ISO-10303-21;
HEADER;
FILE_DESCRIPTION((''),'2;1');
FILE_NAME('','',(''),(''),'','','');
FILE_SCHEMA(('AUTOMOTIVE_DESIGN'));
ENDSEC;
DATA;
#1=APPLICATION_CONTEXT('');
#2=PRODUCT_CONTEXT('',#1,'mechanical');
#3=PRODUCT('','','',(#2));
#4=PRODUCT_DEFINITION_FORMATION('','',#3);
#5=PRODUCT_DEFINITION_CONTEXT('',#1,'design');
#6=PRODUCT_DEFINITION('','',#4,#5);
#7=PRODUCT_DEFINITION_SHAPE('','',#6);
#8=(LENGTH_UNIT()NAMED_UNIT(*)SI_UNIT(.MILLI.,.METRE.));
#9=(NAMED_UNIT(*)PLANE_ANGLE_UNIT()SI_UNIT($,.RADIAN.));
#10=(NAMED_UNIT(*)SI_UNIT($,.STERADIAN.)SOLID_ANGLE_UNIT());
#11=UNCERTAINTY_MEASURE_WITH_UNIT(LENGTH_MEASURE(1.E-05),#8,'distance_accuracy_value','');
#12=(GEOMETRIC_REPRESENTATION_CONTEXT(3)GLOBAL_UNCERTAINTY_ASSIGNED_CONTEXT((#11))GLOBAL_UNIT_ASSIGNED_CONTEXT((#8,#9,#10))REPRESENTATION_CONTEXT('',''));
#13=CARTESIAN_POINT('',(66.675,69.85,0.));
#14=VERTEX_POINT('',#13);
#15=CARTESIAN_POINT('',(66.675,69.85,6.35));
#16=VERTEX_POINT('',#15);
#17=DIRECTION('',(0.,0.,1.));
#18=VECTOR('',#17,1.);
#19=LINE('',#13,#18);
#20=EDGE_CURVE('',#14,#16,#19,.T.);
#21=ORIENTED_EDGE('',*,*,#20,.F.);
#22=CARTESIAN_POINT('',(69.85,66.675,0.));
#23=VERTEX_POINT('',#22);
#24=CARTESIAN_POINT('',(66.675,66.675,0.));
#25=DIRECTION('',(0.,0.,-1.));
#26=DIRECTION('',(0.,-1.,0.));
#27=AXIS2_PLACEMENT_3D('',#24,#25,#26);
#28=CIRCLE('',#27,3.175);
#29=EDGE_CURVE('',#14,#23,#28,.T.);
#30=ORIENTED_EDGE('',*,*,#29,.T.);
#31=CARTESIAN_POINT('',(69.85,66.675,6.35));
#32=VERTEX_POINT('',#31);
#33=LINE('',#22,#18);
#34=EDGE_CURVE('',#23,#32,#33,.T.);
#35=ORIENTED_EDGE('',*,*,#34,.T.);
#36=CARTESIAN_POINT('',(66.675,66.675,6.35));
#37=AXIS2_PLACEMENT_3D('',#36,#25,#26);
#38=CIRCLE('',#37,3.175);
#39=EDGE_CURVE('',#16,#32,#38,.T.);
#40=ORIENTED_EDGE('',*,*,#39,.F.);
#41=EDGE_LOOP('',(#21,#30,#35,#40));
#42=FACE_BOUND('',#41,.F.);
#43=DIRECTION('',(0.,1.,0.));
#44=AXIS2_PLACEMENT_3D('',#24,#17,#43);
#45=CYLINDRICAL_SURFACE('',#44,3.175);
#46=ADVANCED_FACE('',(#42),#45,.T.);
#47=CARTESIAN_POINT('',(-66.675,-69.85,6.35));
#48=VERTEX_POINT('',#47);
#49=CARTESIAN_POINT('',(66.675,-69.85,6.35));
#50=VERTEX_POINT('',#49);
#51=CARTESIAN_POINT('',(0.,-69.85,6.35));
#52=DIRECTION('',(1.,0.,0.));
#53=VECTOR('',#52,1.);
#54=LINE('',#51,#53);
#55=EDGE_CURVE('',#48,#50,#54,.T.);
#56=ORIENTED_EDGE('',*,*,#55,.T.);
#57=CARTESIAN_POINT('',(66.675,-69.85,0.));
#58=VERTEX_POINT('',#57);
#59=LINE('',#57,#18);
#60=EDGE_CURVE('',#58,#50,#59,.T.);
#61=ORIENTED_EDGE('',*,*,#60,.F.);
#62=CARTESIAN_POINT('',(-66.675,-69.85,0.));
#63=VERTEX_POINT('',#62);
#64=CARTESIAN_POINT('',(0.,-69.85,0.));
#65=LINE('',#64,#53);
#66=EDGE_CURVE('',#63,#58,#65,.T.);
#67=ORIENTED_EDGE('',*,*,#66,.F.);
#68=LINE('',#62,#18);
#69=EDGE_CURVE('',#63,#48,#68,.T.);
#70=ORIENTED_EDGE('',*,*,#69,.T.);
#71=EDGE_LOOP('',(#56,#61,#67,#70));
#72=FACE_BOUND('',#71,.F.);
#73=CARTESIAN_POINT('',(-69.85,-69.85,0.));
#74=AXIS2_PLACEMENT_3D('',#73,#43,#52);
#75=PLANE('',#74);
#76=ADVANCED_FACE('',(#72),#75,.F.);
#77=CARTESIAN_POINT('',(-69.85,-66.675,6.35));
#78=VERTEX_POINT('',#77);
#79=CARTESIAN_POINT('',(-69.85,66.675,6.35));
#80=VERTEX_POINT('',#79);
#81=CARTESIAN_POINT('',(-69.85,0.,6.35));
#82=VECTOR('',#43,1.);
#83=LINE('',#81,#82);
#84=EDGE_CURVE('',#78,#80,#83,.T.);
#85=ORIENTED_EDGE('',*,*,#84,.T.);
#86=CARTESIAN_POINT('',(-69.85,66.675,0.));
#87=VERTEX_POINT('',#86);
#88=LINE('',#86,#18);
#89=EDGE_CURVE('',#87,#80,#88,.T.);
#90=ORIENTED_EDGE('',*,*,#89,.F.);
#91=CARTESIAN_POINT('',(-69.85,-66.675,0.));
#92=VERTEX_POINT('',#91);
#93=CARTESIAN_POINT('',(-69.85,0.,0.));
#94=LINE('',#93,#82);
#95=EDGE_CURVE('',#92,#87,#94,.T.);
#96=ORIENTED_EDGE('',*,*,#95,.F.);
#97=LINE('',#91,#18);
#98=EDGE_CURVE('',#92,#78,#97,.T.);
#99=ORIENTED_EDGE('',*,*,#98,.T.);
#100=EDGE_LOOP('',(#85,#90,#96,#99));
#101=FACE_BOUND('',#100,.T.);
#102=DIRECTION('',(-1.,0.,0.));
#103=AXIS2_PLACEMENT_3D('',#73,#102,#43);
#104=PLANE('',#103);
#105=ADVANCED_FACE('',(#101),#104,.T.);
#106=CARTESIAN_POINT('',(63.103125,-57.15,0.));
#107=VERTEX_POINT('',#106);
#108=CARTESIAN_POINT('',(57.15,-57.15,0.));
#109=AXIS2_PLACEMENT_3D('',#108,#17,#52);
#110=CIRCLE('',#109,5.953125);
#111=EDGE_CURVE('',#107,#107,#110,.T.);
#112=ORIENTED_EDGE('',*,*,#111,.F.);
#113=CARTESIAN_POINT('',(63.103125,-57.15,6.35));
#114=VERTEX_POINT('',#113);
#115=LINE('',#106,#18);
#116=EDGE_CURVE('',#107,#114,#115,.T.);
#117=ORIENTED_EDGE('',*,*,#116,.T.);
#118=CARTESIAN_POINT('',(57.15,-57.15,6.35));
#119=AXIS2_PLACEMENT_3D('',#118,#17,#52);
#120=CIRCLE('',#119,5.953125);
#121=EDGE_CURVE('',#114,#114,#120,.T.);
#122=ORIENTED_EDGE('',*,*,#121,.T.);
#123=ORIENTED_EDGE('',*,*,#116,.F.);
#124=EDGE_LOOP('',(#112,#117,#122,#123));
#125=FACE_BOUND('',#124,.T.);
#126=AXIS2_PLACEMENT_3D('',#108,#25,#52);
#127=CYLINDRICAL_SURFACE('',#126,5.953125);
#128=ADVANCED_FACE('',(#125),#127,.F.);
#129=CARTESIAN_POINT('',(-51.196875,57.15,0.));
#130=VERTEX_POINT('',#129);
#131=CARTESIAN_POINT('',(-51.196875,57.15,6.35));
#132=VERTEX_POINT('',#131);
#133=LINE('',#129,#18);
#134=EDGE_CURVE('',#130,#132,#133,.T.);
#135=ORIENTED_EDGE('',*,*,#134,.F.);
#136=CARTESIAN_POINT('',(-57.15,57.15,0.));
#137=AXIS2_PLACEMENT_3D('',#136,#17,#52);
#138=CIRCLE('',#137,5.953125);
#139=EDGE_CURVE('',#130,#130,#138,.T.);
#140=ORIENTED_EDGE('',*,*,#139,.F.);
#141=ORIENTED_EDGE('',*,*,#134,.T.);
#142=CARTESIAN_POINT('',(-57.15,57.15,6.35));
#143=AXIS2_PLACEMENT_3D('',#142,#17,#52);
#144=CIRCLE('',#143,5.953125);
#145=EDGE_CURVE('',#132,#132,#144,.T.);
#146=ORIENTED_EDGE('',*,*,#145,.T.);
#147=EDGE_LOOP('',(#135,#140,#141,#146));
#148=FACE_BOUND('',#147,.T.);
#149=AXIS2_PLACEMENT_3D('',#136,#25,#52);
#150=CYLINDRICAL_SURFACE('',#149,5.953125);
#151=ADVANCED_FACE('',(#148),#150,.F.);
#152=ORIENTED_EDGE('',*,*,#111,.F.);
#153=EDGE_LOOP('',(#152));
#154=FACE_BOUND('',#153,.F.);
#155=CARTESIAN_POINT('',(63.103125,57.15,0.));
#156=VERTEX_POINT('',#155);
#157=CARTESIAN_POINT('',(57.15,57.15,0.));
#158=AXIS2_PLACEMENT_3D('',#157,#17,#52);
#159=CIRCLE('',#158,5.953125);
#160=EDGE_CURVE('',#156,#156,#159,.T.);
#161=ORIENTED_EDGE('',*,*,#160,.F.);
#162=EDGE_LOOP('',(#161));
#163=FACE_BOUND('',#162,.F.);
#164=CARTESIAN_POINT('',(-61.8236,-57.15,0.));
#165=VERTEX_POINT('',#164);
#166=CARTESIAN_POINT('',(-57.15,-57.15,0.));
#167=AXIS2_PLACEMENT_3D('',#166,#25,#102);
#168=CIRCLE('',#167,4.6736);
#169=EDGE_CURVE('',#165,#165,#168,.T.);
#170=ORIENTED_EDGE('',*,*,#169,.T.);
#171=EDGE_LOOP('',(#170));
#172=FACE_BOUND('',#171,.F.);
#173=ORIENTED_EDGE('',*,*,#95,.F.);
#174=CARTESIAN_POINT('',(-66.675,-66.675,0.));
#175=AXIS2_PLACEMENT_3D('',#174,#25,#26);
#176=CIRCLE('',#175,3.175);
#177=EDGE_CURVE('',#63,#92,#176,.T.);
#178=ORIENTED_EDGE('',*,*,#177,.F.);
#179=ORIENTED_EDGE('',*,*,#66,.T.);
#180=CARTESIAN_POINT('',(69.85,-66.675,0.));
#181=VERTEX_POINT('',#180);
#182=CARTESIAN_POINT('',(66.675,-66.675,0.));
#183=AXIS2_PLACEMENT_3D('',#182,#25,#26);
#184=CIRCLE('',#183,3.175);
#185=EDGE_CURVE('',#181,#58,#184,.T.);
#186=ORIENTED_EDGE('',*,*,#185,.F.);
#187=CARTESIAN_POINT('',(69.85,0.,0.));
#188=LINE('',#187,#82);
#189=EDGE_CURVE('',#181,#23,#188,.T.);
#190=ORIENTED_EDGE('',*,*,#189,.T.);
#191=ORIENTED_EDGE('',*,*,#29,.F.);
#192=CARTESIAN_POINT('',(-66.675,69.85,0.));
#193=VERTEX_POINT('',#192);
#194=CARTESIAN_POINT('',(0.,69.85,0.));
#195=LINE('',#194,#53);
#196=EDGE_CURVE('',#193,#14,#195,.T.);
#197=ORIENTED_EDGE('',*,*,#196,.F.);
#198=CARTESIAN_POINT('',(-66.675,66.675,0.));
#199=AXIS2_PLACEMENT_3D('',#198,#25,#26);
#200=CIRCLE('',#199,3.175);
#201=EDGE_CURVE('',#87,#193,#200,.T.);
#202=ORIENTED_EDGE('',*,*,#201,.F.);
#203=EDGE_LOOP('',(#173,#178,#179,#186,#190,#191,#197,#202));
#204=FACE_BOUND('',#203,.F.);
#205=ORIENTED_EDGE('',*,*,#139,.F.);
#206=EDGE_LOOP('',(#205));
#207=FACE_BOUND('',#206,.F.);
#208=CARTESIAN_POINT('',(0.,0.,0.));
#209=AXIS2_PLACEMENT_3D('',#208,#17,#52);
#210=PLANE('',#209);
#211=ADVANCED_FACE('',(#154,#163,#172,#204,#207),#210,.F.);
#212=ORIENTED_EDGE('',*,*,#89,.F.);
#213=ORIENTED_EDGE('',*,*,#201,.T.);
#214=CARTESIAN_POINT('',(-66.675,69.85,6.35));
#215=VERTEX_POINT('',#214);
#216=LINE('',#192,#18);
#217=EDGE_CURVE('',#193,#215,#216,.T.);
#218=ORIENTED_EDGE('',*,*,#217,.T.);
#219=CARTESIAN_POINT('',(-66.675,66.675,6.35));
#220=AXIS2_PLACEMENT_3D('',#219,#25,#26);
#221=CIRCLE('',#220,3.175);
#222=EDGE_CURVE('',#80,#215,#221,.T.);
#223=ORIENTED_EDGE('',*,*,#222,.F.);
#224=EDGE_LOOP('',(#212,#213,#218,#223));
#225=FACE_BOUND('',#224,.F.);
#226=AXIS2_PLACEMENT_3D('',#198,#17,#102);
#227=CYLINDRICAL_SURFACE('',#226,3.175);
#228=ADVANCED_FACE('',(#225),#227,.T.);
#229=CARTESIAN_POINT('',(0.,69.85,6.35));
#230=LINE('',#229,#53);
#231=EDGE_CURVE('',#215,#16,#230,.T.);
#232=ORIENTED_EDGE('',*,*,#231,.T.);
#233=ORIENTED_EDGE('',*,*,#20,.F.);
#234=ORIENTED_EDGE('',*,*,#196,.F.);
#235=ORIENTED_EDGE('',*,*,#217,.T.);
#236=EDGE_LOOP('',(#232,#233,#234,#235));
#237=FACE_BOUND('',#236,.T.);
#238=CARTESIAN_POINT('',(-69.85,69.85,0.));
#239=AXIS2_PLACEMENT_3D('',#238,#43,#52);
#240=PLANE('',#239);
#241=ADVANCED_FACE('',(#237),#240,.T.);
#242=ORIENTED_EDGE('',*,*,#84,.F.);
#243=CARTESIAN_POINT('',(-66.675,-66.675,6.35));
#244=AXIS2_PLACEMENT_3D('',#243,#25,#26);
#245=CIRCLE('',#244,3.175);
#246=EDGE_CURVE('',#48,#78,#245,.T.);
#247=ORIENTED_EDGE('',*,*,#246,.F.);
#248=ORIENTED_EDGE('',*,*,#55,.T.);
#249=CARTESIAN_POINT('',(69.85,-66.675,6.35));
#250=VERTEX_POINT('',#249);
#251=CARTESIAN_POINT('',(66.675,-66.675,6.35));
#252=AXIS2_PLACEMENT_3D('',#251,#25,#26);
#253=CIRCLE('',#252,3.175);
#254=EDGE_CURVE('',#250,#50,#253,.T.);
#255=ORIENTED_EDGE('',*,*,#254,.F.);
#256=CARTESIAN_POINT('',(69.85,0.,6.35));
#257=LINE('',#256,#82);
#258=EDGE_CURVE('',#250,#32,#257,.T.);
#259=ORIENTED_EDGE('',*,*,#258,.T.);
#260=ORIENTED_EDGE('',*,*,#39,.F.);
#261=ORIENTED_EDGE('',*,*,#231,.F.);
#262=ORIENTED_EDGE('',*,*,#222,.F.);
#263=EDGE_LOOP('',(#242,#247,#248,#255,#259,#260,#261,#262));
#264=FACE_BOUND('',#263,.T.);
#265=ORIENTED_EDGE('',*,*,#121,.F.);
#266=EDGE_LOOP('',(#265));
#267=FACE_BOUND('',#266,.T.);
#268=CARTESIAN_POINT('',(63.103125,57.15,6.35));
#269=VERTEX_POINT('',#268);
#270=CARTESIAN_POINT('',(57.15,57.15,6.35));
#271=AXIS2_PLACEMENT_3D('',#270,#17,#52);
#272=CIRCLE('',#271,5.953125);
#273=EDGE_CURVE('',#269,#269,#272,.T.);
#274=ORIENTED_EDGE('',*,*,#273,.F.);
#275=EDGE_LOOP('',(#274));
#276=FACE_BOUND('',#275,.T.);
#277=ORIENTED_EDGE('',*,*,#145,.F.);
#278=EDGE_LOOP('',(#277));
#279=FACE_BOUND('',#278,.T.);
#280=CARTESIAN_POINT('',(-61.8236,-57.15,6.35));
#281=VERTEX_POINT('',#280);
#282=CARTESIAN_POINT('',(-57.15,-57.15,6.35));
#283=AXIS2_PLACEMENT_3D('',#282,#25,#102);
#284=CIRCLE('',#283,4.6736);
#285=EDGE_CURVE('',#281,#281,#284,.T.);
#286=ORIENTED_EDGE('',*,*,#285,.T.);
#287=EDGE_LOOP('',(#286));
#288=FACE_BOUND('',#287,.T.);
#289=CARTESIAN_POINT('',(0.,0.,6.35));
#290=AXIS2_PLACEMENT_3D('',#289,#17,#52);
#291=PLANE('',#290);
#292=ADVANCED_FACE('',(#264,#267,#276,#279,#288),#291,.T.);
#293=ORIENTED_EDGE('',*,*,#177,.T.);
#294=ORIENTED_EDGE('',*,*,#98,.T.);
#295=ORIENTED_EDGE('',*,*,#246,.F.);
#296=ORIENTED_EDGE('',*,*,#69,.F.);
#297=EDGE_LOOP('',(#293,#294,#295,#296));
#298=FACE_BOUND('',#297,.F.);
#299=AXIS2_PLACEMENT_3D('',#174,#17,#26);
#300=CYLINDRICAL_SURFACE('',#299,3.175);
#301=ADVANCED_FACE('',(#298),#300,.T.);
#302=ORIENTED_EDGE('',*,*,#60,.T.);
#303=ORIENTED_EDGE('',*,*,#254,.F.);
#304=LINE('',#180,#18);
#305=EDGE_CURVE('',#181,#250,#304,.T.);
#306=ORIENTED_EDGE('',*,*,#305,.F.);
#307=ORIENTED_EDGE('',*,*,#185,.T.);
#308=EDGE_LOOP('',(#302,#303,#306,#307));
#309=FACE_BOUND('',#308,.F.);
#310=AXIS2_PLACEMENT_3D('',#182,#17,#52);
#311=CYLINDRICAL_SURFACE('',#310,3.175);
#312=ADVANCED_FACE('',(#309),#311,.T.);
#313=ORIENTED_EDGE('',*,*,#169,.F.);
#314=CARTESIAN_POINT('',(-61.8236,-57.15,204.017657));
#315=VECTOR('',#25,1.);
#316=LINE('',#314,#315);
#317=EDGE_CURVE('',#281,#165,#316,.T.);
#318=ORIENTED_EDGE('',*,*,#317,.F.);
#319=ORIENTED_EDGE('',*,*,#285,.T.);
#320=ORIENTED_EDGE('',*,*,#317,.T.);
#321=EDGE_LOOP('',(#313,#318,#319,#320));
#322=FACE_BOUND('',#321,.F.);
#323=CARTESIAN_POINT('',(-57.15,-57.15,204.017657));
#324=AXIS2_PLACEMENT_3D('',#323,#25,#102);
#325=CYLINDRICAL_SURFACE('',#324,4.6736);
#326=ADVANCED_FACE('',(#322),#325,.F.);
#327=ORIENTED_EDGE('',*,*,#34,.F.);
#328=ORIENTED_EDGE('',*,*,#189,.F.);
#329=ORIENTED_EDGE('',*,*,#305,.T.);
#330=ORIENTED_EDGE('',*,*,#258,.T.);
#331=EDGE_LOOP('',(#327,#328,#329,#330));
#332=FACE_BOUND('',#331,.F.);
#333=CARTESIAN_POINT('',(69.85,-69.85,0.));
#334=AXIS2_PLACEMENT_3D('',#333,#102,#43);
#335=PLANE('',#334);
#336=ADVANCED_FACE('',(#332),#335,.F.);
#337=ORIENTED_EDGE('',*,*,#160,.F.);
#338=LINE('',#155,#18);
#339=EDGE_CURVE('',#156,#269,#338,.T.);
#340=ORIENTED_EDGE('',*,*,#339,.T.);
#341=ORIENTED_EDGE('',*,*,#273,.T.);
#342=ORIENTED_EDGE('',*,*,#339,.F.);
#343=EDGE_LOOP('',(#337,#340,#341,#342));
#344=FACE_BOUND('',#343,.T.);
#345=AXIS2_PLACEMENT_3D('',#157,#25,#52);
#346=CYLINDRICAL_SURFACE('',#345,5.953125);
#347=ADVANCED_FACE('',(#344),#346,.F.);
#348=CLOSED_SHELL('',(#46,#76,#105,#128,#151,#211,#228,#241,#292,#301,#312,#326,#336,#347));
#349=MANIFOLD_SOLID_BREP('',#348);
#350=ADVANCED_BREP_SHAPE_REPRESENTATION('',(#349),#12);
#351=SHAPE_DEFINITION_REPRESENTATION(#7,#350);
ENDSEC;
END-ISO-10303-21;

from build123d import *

# Parameters (mm, degrees)
F0_W     = 139.7
F0_H     = 139.7
F0_R     = 5.953125
F1_DEPTH = 6.35
F3_D     = 9.3472
F4_R     = 3.175
F5_R     = 3.175
F6_R     = 3.175
F7_R     = 3.175


with BuildPart() as f1:
    # F0 (on Top) → F1 (new body)
    with BuildSketch(Plane.XY):
        Rectangle(F0_W, F0_H)
        with Locations((-57.15, -57.15)):
            Circle(F0_R, mode=Mode.SUBTRACT)
        with Locations((57.15, -57.15)):
            Circle(F0_R, mode=Mode.SUBTRACT)
        with Locations((-57.15, 57.15)):
            Circle(F0_R, mode=Mode.SUBTRACT)
        with Locations((57.15, 57.15)):
            Circle(F0_R, mode=Mode.SUBTRACT)
        with Locations((-57.15, -57.15)):
            Circle(F0_R)
    extrude(amount=F1_DEPTH)

    # F3 (through all)
    with Locations(Plane.XY.offset(6.35)):
        with Locations((-57.15, -57.15)):
            Hole(F3_D / 2)

    # F4
    f4_edges = [f1.edges().sort_by_distance(p)[0] for p in [
        (-69.85, 69.85, 3.175),
    ]]
    fillet(f4_edges, radius=F4_R)

    # F5
    f5_edges = [f1.edges().sort_by_distance(p)[0] for p in [
        (69.85, 69.85, 3.175),
    ]]
    fillet(f5_edges, radius=F5_R)

    # F6
    f6_edges = [f1.edges().sort_by_distance(p)[0] for p in [
        (69.85, -69.85, 3.175),
    ]]
    fillet(f6_edges, radius=F6_R)

    # F7
    f7_edges = [f1.edges().sort_by_distance(p)[0] for p in [
        (-69.85, -69.85, 3.175),
    ]]
    fillet(f7_edges, radius=F7_R)


solid = f1.part
